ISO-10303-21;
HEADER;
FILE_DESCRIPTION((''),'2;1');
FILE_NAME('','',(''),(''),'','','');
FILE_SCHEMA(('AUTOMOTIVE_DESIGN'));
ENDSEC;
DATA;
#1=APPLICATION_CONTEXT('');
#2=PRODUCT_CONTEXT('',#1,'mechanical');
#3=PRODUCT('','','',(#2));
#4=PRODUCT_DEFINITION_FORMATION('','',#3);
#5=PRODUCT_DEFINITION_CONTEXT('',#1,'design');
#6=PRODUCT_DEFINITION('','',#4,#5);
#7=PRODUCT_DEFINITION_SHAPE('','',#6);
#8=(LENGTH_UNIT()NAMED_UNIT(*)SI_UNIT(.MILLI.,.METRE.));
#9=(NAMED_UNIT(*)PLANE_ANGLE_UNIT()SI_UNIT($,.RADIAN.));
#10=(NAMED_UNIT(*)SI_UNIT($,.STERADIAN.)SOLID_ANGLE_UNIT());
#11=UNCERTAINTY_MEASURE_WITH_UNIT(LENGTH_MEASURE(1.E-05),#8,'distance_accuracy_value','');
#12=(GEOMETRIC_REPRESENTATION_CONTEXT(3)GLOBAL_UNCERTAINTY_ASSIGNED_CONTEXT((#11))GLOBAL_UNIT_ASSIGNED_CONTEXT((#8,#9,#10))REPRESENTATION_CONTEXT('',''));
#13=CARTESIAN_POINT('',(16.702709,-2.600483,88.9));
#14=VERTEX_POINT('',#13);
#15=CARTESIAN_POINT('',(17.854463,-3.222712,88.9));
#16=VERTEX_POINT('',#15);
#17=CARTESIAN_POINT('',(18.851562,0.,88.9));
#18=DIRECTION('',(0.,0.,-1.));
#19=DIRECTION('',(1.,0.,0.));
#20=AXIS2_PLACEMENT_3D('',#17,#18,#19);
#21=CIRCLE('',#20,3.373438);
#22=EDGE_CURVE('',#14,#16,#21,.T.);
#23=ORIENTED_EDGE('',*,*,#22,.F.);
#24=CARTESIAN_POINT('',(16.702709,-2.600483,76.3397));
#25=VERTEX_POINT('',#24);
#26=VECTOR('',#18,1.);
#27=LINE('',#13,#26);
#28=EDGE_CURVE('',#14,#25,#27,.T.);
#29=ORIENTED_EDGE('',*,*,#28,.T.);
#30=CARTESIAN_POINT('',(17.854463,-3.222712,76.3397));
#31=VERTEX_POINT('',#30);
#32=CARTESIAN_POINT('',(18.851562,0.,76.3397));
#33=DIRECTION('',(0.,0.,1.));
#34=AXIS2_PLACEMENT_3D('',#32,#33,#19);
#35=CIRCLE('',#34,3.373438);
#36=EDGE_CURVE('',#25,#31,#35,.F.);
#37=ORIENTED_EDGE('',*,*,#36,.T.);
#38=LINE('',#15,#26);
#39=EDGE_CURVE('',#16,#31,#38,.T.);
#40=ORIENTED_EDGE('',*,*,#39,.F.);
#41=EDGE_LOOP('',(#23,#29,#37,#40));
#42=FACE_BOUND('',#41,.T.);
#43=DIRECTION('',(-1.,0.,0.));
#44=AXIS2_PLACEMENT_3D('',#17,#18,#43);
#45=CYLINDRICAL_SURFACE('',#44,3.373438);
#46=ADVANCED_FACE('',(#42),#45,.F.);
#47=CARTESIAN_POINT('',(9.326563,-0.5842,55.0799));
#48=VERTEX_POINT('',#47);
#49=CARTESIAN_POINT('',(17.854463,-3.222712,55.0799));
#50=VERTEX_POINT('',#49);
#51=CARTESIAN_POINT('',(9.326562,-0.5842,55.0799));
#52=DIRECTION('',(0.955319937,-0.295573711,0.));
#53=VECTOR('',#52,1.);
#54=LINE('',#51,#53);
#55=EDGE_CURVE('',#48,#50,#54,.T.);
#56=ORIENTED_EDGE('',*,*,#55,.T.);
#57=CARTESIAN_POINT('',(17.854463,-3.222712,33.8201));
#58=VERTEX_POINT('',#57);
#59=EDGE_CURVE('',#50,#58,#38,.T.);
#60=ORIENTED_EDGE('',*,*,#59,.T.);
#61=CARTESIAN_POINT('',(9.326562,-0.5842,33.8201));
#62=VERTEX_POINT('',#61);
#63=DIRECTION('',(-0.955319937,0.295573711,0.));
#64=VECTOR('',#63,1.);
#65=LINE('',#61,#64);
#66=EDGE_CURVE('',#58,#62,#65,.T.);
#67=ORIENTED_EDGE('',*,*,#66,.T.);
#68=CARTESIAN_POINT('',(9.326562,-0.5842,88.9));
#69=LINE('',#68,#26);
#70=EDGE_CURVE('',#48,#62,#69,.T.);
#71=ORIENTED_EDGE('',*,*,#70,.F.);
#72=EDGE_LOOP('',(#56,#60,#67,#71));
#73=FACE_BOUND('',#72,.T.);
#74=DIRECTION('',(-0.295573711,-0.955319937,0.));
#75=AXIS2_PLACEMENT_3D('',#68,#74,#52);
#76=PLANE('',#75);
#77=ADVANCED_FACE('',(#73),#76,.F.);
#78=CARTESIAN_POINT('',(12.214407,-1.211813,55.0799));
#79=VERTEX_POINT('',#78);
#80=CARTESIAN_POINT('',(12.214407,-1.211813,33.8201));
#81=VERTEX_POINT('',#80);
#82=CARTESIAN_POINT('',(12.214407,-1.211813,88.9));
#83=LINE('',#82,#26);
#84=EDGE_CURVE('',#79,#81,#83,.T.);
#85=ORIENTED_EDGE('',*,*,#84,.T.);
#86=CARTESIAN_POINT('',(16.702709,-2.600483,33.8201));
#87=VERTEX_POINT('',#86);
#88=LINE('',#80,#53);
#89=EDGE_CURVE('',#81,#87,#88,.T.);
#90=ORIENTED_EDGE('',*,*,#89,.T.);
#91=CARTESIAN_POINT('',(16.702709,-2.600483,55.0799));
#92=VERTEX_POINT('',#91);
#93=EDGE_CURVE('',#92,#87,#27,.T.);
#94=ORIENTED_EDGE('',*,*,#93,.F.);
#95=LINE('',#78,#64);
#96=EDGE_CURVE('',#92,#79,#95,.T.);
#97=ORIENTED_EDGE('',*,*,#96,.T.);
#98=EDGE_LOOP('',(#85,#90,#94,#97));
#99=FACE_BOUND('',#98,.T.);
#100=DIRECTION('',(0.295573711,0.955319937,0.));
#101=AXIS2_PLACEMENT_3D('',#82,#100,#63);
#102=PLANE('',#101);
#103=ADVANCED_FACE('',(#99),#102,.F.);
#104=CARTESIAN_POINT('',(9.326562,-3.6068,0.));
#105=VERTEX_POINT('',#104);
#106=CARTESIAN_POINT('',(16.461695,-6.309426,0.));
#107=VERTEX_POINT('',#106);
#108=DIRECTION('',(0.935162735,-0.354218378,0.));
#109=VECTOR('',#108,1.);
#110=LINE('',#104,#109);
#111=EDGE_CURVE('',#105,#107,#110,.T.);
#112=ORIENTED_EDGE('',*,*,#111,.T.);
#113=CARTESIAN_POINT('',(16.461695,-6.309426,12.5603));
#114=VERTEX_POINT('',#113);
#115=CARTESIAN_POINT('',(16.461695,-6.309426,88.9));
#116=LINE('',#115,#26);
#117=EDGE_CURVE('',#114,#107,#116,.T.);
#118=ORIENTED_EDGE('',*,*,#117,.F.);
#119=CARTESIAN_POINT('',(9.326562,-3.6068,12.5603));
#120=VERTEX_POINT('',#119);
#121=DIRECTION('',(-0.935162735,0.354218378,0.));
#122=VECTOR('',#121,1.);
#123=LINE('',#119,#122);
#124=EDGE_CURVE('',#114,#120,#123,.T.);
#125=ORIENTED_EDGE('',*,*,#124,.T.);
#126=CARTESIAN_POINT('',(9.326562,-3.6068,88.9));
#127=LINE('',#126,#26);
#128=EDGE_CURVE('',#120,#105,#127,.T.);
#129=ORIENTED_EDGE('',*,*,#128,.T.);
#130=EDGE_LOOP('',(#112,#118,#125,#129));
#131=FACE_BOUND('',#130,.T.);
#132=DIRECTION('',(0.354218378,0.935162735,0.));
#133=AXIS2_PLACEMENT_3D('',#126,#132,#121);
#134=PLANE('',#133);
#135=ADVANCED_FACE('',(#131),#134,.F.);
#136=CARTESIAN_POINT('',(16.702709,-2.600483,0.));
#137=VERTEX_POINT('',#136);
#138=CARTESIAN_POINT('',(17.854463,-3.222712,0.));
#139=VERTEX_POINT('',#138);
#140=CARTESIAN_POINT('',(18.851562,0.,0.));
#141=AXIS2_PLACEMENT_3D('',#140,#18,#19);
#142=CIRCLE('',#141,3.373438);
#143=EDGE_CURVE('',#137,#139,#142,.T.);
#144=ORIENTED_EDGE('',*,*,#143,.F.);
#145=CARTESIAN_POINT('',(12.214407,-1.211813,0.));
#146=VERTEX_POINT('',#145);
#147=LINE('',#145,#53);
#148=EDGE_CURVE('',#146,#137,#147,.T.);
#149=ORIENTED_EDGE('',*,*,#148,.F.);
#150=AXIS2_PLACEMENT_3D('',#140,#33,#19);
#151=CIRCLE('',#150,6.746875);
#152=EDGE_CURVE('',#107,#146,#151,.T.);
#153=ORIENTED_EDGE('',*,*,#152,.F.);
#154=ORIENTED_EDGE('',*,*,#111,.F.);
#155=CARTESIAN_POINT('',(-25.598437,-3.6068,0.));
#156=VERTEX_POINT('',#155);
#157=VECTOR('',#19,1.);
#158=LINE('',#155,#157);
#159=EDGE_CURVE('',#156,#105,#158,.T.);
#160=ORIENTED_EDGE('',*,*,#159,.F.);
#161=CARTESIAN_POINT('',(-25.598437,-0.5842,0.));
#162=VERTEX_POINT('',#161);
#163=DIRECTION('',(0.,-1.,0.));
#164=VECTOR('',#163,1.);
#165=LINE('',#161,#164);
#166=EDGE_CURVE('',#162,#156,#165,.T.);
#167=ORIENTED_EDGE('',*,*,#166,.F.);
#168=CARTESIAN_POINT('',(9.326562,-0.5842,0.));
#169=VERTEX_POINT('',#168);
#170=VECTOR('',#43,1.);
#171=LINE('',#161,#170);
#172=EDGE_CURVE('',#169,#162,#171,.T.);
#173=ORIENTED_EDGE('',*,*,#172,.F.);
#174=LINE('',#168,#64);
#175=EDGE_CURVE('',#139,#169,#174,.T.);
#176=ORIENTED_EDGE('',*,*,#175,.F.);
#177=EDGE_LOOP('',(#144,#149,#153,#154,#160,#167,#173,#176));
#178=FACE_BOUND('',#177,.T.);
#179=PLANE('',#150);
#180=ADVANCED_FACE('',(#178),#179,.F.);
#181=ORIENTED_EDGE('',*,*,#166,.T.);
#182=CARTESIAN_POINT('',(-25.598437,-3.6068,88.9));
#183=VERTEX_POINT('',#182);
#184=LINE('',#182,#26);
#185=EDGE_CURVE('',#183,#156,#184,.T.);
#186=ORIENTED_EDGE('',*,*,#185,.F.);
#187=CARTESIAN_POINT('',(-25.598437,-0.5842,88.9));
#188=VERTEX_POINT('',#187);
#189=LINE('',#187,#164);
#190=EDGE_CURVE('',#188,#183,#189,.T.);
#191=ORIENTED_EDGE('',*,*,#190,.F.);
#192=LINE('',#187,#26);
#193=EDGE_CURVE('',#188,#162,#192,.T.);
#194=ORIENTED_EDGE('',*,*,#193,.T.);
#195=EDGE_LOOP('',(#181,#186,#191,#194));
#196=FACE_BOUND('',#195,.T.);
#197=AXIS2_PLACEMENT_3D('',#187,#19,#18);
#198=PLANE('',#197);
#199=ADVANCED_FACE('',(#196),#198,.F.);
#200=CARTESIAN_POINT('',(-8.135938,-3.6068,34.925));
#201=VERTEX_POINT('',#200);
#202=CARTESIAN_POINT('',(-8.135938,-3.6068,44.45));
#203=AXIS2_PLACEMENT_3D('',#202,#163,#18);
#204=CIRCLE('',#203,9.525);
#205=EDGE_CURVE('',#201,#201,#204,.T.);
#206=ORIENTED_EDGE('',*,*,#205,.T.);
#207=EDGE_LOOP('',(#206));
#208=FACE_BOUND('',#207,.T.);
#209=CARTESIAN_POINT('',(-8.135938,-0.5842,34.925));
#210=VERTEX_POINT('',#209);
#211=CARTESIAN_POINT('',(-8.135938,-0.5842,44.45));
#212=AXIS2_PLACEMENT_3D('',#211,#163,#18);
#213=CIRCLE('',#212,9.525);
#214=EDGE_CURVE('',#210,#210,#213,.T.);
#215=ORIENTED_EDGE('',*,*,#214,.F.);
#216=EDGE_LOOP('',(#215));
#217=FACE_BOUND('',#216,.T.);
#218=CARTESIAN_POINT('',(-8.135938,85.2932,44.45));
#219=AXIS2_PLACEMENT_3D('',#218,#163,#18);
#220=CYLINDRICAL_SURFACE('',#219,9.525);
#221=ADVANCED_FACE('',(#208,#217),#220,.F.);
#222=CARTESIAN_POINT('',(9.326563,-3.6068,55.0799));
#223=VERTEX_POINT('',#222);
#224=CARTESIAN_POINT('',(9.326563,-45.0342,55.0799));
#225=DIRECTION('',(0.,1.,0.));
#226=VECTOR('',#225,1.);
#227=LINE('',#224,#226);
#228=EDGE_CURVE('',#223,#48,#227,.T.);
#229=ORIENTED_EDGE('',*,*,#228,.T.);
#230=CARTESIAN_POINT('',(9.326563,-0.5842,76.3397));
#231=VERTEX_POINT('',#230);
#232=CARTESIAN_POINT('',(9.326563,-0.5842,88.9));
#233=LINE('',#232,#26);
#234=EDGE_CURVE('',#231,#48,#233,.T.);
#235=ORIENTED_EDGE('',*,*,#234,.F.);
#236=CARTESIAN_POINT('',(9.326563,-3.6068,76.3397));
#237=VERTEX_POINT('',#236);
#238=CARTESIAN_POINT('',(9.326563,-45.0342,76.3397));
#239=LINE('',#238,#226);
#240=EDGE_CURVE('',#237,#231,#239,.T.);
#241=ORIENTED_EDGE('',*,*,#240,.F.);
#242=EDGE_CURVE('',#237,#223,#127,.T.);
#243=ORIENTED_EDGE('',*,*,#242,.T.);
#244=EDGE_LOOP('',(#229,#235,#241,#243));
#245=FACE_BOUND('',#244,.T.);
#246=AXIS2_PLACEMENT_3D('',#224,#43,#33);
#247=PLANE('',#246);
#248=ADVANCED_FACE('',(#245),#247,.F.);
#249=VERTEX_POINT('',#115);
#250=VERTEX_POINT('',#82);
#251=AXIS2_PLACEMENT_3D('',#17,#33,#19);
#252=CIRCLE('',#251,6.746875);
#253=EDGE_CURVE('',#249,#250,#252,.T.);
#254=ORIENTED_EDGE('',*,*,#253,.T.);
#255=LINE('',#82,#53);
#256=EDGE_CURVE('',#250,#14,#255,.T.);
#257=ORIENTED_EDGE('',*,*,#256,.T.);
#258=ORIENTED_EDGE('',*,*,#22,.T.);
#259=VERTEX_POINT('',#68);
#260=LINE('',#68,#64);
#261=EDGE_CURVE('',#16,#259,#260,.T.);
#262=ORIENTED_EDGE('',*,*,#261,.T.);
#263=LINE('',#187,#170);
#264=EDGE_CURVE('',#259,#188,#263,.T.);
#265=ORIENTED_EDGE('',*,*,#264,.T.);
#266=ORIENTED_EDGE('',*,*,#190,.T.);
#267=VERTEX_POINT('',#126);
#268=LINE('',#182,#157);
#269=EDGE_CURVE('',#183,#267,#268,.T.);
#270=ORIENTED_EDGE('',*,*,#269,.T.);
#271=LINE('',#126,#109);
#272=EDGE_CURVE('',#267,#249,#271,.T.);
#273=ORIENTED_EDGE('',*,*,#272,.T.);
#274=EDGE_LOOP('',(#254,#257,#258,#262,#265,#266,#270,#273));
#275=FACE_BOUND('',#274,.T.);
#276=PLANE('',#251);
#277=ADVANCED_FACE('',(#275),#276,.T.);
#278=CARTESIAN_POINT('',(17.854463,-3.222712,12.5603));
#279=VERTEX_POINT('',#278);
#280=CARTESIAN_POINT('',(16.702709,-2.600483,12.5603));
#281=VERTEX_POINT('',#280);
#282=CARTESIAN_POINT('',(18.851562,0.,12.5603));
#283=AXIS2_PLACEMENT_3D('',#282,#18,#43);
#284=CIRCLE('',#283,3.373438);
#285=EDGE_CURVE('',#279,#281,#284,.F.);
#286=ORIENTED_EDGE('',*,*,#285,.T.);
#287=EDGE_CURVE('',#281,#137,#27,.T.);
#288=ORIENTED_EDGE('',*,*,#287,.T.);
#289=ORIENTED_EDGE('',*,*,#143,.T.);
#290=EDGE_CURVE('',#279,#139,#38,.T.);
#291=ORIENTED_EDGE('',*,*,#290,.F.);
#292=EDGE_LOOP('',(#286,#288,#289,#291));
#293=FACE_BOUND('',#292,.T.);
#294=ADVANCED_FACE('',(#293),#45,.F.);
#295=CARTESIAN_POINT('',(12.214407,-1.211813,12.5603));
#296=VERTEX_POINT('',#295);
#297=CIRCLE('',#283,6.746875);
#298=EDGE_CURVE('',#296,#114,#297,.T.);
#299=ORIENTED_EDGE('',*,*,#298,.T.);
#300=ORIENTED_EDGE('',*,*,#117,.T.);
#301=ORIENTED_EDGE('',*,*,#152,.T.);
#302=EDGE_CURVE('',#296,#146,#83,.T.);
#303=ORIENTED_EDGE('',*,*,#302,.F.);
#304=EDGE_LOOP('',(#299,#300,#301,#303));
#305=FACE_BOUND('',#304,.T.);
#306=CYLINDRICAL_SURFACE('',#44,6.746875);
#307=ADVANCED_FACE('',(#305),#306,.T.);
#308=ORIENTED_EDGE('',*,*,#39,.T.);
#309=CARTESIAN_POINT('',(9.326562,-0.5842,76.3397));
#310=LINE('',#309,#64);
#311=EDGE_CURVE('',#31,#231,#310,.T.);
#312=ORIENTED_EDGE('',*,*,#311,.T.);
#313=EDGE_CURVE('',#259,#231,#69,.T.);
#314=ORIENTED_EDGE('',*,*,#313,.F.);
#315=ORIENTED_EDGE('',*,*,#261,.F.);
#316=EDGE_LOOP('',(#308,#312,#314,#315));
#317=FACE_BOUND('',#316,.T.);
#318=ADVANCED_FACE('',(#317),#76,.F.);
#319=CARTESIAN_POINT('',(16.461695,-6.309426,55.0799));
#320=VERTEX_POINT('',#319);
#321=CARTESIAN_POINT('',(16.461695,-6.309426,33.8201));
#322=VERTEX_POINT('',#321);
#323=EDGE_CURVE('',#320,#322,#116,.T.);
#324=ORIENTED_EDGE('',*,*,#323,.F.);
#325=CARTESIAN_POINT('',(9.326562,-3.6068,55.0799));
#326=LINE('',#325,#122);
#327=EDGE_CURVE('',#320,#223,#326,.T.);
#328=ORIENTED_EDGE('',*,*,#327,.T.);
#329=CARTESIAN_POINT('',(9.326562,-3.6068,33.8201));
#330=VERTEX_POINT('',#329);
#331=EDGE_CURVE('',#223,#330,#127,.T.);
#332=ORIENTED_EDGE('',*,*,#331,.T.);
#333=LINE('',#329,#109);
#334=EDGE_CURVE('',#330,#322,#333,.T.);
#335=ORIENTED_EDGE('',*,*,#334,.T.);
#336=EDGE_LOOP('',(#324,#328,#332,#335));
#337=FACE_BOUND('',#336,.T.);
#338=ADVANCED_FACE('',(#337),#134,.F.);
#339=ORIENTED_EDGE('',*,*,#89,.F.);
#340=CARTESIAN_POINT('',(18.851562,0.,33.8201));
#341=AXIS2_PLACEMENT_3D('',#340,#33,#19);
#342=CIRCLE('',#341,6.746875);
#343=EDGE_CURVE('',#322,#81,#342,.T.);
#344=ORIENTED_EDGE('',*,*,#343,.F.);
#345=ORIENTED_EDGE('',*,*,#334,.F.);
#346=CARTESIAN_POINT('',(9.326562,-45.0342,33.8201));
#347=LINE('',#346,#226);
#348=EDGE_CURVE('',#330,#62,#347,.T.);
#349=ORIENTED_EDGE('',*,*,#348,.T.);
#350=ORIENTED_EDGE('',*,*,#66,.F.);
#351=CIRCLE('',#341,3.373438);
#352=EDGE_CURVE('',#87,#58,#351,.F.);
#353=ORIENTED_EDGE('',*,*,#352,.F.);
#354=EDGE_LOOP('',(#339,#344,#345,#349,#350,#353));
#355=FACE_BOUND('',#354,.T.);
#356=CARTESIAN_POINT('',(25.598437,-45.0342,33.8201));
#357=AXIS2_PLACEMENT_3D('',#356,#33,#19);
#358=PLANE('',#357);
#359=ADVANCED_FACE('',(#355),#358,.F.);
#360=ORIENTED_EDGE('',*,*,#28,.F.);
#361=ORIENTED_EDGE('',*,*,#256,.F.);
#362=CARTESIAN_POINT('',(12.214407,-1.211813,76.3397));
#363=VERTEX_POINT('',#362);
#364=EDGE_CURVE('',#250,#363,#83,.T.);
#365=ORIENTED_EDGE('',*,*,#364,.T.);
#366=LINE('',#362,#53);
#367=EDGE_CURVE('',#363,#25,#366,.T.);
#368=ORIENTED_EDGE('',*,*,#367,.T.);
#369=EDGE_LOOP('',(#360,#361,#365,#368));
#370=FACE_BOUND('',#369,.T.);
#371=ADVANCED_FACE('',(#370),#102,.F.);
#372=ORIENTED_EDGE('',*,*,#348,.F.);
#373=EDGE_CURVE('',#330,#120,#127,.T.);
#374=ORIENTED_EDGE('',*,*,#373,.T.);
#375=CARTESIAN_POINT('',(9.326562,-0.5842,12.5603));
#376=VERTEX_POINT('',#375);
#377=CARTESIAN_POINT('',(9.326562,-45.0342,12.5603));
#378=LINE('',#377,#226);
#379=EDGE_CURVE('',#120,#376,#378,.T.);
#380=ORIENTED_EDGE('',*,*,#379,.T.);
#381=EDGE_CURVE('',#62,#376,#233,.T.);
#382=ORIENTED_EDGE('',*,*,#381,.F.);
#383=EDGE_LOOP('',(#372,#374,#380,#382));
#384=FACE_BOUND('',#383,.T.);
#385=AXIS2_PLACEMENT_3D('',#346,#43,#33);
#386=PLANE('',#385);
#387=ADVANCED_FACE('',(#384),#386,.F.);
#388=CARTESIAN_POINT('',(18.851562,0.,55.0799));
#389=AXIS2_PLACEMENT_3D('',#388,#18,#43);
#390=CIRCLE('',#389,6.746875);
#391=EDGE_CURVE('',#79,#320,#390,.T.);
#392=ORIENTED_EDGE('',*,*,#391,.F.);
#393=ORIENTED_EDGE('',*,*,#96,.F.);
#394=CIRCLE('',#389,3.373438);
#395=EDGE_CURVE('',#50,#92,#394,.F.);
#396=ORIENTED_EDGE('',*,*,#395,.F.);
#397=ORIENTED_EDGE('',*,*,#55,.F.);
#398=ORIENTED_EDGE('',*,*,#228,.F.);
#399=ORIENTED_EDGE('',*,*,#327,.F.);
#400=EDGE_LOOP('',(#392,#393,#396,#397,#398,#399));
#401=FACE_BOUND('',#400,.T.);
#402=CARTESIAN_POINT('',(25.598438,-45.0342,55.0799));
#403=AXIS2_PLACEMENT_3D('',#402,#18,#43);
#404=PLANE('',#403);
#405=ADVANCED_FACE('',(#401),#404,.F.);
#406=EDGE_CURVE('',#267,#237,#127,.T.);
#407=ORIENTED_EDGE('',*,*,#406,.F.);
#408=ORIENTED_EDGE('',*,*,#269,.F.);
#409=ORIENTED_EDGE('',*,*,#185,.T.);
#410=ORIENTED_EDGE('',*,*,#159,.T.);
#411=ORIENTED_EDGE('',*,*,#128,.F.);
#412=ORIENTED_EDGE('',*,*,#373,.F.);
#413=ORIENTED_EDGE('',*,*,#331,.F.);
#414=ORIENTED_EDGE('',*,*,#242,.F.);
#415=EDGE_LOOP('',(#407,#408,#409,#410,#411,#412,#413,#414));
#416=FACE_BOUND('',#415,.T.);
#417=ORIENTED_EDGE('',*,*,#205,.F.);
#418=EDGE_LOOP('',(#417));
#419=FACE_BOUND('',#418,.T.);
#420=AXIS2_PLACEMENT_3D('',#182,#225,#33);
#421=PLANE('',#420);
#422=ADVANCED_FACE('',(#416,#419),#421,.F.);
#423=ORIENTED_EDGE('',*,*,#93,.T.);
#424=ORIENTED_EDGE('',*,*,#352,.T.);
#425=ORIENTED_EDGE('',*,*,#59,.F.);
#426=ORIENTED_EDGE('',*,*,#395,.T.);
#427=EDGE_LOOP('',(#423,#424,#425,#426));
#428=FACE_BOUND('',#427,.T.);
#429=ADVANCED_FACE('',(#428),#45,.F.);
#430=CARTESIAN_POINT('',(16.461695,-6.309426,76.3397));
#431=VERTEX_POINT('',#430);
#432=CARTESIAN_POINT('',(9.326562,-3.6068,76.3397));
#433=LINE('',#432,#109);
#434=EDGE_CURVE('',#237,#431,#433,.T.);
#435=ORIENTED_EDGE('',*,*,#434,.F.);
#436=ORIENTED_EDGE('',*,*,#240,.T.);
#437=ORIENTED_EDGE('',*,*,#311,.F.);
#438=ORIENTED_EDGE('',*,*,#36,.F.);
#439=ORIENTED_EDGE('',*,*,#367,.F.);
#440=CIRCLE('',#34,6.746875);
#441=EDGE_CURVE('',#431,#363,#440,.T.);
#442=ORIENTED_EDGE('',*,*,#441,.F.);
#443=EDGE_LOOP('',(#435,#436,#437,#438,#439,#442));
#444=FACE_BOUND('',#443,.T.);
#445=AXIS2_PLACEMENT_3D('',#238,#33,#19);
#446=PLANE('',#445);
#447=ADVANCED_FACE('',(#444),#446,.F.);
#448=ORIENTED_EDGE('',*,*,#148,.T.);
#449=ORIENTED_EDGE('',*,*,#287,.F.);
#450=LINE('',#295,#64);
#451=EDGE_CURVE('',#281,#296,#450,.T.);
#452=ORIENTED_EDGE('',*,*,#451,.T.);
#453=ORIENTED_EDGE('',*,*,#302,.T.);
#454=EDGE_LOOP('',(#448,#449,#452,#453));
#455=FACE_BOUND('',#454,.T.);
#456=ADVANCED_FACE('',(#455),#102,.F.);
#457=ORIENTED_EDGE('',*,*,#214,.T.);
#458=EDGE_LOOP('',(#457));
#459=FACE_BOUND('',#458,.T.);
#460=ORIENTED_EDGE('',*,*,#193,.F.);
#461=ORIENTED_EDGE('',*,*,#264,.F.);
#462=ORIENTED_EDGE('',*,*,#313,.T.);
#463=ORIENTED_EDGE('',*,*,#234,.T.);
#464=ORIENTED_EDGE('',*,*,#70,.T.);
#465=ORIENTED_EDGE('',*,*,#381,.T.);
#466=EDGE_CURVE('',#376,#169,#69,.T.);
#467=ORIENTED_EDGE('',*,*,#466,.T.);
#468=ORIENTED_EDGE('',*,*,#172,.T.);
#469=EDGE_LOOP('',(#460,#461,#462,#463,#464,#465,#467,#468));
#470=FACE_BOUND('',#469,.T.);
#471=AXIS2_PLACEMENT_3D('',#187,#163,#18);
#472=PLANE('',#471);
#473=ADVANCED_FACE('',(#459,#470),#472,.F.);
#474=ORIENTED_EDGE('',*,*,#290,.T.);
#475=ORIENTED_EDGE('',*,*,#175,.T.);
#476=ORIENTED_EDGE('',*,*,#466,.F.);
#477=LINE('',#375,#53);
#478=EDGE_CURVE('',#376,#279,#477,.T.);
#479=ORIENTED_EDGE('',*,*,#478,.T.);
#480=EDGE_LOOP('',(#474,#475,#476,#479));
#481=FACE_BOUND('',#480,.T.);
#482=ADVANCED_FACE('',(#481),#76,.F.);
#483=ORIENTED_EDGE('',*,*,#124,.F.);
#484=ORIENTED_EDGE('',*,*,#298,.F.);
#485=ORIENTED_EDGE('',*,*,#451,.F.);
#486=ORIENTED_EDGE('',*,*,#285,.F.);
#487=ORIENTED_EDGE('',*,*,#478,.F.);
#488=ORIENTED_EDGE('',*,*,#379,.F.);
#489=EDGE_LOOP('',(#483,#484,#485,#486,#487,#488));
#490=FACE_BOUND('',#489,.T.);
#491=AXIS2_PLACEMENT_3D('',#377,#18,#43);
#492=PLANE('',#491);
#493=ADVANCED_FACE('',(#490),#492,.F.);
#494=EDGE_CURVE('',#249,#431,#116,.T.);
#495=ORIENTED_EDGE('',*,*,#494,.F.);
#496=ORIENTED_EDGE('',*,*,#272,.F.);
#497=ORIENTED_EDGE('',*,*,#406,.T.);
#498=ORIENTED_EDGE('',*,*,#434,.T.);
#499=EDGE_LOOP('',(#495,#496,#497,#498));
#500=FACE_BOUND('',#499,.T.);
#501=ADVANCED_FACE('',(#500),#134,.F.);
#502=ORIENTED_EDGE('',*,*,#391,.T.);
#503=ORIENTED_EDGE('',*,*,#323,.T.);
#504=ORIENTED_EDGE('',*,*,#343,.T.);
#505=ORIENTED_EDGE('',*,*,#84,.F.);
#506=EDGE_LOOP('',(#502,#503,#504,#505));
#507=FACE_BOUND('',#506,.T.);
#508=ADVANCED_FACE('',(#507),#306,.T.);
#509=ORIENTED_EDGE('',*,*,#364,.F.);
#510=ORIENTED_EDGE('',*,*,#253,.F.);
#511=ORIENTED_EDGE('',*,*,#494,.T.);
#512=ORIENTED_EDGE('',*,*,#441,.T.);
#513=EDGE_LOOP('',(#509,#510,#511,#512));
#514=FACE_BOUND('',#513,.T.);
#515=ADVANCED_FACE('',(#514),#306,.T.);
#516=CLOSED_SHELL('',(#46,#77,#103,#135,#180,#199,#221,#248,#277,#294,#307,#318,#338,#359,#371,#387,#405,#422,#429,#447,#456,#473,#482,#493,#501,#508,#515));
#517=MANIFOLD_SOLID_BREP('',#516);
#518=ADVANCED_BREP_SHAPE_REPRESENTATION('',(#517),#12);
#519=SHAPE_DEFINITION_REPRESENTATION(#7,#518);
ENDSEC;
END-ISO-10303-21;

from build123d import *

# Parameters (mm, degrees)
BOSS_EXTRUDE1_DEPTH = 88.9
SKETCH2_W           = 16.271875
SKETCH2_H           = 21.2598
CUT_EXTRUDE1_DEPTH  = 44.45
SKETCH3_R           = 9.525
CUT_EXTRUDE2_DEPTH  = 88.9


with BuildPart() as part:
    # Sketch1 → Boss-Extrude1 (new body)
    with BuildSketch(Plane.XY):
        with BuildLine():
            Line((9.3265625, -3.6068), (16.461695383, -6.309426078))
            ThreePointArc((16.461695383, -6.309426078), (24.035016902, 4.318810338), (12.214407069, -1.21181271))
            Line((12.214407069, -1.21181271), (16.702709255, -2.600482704))
            ThreePointArc((16.702709255, -2.600482704), (20.455010949, 2.968001624), (17.854463061, -3.222712099))
            Line((17.854463061, -3.222712099), (9.3265625, -0.5842))
            Line((9.3265625, -0.5842), (-25.5984375, -0.5842))
            Line((-25.5984375, -0.5842), (-25.5984375, -3.6068))
            Line((-25.5984375, -3.6068), (9.3265625, -3.6068))
        make_face()
    extrude(amount=BOSS_EXTRUDE1_DEPTH)

    # Sketch2 → Cut-Extrude1 (cut, symmetric)
    with BuildSketch(Plane(origin=(0, -0.5842, 0), x_dir=(1, 0, 0), z_dir=(0, 1, 0))):
        with Locations((17.4625, -65.7098)):
            Rectangle(SKETCH2_W, SKETCH2_H)
        with Locations((17.4625, -23.1902)):
            Rectangle(SKETCH2_W, SKETCH2_H)
    extrude(amount=CUT_EXTRUDE1_DEPTH, both=True, mode=Mode.SUBTRACT)

    # Sketch3 → Cut-Extrude2 (cut)
    with BuildSketch(Plane.XZ.offset(3.6068)):
        with Locations((-8.1359375, 44.45)):
            Circle(SKETCH3_R)
    extrude(amount=-CUT_EXTRUDE2_DEPTH, mode=Mode.SUBTRACT)


solid = part.part
